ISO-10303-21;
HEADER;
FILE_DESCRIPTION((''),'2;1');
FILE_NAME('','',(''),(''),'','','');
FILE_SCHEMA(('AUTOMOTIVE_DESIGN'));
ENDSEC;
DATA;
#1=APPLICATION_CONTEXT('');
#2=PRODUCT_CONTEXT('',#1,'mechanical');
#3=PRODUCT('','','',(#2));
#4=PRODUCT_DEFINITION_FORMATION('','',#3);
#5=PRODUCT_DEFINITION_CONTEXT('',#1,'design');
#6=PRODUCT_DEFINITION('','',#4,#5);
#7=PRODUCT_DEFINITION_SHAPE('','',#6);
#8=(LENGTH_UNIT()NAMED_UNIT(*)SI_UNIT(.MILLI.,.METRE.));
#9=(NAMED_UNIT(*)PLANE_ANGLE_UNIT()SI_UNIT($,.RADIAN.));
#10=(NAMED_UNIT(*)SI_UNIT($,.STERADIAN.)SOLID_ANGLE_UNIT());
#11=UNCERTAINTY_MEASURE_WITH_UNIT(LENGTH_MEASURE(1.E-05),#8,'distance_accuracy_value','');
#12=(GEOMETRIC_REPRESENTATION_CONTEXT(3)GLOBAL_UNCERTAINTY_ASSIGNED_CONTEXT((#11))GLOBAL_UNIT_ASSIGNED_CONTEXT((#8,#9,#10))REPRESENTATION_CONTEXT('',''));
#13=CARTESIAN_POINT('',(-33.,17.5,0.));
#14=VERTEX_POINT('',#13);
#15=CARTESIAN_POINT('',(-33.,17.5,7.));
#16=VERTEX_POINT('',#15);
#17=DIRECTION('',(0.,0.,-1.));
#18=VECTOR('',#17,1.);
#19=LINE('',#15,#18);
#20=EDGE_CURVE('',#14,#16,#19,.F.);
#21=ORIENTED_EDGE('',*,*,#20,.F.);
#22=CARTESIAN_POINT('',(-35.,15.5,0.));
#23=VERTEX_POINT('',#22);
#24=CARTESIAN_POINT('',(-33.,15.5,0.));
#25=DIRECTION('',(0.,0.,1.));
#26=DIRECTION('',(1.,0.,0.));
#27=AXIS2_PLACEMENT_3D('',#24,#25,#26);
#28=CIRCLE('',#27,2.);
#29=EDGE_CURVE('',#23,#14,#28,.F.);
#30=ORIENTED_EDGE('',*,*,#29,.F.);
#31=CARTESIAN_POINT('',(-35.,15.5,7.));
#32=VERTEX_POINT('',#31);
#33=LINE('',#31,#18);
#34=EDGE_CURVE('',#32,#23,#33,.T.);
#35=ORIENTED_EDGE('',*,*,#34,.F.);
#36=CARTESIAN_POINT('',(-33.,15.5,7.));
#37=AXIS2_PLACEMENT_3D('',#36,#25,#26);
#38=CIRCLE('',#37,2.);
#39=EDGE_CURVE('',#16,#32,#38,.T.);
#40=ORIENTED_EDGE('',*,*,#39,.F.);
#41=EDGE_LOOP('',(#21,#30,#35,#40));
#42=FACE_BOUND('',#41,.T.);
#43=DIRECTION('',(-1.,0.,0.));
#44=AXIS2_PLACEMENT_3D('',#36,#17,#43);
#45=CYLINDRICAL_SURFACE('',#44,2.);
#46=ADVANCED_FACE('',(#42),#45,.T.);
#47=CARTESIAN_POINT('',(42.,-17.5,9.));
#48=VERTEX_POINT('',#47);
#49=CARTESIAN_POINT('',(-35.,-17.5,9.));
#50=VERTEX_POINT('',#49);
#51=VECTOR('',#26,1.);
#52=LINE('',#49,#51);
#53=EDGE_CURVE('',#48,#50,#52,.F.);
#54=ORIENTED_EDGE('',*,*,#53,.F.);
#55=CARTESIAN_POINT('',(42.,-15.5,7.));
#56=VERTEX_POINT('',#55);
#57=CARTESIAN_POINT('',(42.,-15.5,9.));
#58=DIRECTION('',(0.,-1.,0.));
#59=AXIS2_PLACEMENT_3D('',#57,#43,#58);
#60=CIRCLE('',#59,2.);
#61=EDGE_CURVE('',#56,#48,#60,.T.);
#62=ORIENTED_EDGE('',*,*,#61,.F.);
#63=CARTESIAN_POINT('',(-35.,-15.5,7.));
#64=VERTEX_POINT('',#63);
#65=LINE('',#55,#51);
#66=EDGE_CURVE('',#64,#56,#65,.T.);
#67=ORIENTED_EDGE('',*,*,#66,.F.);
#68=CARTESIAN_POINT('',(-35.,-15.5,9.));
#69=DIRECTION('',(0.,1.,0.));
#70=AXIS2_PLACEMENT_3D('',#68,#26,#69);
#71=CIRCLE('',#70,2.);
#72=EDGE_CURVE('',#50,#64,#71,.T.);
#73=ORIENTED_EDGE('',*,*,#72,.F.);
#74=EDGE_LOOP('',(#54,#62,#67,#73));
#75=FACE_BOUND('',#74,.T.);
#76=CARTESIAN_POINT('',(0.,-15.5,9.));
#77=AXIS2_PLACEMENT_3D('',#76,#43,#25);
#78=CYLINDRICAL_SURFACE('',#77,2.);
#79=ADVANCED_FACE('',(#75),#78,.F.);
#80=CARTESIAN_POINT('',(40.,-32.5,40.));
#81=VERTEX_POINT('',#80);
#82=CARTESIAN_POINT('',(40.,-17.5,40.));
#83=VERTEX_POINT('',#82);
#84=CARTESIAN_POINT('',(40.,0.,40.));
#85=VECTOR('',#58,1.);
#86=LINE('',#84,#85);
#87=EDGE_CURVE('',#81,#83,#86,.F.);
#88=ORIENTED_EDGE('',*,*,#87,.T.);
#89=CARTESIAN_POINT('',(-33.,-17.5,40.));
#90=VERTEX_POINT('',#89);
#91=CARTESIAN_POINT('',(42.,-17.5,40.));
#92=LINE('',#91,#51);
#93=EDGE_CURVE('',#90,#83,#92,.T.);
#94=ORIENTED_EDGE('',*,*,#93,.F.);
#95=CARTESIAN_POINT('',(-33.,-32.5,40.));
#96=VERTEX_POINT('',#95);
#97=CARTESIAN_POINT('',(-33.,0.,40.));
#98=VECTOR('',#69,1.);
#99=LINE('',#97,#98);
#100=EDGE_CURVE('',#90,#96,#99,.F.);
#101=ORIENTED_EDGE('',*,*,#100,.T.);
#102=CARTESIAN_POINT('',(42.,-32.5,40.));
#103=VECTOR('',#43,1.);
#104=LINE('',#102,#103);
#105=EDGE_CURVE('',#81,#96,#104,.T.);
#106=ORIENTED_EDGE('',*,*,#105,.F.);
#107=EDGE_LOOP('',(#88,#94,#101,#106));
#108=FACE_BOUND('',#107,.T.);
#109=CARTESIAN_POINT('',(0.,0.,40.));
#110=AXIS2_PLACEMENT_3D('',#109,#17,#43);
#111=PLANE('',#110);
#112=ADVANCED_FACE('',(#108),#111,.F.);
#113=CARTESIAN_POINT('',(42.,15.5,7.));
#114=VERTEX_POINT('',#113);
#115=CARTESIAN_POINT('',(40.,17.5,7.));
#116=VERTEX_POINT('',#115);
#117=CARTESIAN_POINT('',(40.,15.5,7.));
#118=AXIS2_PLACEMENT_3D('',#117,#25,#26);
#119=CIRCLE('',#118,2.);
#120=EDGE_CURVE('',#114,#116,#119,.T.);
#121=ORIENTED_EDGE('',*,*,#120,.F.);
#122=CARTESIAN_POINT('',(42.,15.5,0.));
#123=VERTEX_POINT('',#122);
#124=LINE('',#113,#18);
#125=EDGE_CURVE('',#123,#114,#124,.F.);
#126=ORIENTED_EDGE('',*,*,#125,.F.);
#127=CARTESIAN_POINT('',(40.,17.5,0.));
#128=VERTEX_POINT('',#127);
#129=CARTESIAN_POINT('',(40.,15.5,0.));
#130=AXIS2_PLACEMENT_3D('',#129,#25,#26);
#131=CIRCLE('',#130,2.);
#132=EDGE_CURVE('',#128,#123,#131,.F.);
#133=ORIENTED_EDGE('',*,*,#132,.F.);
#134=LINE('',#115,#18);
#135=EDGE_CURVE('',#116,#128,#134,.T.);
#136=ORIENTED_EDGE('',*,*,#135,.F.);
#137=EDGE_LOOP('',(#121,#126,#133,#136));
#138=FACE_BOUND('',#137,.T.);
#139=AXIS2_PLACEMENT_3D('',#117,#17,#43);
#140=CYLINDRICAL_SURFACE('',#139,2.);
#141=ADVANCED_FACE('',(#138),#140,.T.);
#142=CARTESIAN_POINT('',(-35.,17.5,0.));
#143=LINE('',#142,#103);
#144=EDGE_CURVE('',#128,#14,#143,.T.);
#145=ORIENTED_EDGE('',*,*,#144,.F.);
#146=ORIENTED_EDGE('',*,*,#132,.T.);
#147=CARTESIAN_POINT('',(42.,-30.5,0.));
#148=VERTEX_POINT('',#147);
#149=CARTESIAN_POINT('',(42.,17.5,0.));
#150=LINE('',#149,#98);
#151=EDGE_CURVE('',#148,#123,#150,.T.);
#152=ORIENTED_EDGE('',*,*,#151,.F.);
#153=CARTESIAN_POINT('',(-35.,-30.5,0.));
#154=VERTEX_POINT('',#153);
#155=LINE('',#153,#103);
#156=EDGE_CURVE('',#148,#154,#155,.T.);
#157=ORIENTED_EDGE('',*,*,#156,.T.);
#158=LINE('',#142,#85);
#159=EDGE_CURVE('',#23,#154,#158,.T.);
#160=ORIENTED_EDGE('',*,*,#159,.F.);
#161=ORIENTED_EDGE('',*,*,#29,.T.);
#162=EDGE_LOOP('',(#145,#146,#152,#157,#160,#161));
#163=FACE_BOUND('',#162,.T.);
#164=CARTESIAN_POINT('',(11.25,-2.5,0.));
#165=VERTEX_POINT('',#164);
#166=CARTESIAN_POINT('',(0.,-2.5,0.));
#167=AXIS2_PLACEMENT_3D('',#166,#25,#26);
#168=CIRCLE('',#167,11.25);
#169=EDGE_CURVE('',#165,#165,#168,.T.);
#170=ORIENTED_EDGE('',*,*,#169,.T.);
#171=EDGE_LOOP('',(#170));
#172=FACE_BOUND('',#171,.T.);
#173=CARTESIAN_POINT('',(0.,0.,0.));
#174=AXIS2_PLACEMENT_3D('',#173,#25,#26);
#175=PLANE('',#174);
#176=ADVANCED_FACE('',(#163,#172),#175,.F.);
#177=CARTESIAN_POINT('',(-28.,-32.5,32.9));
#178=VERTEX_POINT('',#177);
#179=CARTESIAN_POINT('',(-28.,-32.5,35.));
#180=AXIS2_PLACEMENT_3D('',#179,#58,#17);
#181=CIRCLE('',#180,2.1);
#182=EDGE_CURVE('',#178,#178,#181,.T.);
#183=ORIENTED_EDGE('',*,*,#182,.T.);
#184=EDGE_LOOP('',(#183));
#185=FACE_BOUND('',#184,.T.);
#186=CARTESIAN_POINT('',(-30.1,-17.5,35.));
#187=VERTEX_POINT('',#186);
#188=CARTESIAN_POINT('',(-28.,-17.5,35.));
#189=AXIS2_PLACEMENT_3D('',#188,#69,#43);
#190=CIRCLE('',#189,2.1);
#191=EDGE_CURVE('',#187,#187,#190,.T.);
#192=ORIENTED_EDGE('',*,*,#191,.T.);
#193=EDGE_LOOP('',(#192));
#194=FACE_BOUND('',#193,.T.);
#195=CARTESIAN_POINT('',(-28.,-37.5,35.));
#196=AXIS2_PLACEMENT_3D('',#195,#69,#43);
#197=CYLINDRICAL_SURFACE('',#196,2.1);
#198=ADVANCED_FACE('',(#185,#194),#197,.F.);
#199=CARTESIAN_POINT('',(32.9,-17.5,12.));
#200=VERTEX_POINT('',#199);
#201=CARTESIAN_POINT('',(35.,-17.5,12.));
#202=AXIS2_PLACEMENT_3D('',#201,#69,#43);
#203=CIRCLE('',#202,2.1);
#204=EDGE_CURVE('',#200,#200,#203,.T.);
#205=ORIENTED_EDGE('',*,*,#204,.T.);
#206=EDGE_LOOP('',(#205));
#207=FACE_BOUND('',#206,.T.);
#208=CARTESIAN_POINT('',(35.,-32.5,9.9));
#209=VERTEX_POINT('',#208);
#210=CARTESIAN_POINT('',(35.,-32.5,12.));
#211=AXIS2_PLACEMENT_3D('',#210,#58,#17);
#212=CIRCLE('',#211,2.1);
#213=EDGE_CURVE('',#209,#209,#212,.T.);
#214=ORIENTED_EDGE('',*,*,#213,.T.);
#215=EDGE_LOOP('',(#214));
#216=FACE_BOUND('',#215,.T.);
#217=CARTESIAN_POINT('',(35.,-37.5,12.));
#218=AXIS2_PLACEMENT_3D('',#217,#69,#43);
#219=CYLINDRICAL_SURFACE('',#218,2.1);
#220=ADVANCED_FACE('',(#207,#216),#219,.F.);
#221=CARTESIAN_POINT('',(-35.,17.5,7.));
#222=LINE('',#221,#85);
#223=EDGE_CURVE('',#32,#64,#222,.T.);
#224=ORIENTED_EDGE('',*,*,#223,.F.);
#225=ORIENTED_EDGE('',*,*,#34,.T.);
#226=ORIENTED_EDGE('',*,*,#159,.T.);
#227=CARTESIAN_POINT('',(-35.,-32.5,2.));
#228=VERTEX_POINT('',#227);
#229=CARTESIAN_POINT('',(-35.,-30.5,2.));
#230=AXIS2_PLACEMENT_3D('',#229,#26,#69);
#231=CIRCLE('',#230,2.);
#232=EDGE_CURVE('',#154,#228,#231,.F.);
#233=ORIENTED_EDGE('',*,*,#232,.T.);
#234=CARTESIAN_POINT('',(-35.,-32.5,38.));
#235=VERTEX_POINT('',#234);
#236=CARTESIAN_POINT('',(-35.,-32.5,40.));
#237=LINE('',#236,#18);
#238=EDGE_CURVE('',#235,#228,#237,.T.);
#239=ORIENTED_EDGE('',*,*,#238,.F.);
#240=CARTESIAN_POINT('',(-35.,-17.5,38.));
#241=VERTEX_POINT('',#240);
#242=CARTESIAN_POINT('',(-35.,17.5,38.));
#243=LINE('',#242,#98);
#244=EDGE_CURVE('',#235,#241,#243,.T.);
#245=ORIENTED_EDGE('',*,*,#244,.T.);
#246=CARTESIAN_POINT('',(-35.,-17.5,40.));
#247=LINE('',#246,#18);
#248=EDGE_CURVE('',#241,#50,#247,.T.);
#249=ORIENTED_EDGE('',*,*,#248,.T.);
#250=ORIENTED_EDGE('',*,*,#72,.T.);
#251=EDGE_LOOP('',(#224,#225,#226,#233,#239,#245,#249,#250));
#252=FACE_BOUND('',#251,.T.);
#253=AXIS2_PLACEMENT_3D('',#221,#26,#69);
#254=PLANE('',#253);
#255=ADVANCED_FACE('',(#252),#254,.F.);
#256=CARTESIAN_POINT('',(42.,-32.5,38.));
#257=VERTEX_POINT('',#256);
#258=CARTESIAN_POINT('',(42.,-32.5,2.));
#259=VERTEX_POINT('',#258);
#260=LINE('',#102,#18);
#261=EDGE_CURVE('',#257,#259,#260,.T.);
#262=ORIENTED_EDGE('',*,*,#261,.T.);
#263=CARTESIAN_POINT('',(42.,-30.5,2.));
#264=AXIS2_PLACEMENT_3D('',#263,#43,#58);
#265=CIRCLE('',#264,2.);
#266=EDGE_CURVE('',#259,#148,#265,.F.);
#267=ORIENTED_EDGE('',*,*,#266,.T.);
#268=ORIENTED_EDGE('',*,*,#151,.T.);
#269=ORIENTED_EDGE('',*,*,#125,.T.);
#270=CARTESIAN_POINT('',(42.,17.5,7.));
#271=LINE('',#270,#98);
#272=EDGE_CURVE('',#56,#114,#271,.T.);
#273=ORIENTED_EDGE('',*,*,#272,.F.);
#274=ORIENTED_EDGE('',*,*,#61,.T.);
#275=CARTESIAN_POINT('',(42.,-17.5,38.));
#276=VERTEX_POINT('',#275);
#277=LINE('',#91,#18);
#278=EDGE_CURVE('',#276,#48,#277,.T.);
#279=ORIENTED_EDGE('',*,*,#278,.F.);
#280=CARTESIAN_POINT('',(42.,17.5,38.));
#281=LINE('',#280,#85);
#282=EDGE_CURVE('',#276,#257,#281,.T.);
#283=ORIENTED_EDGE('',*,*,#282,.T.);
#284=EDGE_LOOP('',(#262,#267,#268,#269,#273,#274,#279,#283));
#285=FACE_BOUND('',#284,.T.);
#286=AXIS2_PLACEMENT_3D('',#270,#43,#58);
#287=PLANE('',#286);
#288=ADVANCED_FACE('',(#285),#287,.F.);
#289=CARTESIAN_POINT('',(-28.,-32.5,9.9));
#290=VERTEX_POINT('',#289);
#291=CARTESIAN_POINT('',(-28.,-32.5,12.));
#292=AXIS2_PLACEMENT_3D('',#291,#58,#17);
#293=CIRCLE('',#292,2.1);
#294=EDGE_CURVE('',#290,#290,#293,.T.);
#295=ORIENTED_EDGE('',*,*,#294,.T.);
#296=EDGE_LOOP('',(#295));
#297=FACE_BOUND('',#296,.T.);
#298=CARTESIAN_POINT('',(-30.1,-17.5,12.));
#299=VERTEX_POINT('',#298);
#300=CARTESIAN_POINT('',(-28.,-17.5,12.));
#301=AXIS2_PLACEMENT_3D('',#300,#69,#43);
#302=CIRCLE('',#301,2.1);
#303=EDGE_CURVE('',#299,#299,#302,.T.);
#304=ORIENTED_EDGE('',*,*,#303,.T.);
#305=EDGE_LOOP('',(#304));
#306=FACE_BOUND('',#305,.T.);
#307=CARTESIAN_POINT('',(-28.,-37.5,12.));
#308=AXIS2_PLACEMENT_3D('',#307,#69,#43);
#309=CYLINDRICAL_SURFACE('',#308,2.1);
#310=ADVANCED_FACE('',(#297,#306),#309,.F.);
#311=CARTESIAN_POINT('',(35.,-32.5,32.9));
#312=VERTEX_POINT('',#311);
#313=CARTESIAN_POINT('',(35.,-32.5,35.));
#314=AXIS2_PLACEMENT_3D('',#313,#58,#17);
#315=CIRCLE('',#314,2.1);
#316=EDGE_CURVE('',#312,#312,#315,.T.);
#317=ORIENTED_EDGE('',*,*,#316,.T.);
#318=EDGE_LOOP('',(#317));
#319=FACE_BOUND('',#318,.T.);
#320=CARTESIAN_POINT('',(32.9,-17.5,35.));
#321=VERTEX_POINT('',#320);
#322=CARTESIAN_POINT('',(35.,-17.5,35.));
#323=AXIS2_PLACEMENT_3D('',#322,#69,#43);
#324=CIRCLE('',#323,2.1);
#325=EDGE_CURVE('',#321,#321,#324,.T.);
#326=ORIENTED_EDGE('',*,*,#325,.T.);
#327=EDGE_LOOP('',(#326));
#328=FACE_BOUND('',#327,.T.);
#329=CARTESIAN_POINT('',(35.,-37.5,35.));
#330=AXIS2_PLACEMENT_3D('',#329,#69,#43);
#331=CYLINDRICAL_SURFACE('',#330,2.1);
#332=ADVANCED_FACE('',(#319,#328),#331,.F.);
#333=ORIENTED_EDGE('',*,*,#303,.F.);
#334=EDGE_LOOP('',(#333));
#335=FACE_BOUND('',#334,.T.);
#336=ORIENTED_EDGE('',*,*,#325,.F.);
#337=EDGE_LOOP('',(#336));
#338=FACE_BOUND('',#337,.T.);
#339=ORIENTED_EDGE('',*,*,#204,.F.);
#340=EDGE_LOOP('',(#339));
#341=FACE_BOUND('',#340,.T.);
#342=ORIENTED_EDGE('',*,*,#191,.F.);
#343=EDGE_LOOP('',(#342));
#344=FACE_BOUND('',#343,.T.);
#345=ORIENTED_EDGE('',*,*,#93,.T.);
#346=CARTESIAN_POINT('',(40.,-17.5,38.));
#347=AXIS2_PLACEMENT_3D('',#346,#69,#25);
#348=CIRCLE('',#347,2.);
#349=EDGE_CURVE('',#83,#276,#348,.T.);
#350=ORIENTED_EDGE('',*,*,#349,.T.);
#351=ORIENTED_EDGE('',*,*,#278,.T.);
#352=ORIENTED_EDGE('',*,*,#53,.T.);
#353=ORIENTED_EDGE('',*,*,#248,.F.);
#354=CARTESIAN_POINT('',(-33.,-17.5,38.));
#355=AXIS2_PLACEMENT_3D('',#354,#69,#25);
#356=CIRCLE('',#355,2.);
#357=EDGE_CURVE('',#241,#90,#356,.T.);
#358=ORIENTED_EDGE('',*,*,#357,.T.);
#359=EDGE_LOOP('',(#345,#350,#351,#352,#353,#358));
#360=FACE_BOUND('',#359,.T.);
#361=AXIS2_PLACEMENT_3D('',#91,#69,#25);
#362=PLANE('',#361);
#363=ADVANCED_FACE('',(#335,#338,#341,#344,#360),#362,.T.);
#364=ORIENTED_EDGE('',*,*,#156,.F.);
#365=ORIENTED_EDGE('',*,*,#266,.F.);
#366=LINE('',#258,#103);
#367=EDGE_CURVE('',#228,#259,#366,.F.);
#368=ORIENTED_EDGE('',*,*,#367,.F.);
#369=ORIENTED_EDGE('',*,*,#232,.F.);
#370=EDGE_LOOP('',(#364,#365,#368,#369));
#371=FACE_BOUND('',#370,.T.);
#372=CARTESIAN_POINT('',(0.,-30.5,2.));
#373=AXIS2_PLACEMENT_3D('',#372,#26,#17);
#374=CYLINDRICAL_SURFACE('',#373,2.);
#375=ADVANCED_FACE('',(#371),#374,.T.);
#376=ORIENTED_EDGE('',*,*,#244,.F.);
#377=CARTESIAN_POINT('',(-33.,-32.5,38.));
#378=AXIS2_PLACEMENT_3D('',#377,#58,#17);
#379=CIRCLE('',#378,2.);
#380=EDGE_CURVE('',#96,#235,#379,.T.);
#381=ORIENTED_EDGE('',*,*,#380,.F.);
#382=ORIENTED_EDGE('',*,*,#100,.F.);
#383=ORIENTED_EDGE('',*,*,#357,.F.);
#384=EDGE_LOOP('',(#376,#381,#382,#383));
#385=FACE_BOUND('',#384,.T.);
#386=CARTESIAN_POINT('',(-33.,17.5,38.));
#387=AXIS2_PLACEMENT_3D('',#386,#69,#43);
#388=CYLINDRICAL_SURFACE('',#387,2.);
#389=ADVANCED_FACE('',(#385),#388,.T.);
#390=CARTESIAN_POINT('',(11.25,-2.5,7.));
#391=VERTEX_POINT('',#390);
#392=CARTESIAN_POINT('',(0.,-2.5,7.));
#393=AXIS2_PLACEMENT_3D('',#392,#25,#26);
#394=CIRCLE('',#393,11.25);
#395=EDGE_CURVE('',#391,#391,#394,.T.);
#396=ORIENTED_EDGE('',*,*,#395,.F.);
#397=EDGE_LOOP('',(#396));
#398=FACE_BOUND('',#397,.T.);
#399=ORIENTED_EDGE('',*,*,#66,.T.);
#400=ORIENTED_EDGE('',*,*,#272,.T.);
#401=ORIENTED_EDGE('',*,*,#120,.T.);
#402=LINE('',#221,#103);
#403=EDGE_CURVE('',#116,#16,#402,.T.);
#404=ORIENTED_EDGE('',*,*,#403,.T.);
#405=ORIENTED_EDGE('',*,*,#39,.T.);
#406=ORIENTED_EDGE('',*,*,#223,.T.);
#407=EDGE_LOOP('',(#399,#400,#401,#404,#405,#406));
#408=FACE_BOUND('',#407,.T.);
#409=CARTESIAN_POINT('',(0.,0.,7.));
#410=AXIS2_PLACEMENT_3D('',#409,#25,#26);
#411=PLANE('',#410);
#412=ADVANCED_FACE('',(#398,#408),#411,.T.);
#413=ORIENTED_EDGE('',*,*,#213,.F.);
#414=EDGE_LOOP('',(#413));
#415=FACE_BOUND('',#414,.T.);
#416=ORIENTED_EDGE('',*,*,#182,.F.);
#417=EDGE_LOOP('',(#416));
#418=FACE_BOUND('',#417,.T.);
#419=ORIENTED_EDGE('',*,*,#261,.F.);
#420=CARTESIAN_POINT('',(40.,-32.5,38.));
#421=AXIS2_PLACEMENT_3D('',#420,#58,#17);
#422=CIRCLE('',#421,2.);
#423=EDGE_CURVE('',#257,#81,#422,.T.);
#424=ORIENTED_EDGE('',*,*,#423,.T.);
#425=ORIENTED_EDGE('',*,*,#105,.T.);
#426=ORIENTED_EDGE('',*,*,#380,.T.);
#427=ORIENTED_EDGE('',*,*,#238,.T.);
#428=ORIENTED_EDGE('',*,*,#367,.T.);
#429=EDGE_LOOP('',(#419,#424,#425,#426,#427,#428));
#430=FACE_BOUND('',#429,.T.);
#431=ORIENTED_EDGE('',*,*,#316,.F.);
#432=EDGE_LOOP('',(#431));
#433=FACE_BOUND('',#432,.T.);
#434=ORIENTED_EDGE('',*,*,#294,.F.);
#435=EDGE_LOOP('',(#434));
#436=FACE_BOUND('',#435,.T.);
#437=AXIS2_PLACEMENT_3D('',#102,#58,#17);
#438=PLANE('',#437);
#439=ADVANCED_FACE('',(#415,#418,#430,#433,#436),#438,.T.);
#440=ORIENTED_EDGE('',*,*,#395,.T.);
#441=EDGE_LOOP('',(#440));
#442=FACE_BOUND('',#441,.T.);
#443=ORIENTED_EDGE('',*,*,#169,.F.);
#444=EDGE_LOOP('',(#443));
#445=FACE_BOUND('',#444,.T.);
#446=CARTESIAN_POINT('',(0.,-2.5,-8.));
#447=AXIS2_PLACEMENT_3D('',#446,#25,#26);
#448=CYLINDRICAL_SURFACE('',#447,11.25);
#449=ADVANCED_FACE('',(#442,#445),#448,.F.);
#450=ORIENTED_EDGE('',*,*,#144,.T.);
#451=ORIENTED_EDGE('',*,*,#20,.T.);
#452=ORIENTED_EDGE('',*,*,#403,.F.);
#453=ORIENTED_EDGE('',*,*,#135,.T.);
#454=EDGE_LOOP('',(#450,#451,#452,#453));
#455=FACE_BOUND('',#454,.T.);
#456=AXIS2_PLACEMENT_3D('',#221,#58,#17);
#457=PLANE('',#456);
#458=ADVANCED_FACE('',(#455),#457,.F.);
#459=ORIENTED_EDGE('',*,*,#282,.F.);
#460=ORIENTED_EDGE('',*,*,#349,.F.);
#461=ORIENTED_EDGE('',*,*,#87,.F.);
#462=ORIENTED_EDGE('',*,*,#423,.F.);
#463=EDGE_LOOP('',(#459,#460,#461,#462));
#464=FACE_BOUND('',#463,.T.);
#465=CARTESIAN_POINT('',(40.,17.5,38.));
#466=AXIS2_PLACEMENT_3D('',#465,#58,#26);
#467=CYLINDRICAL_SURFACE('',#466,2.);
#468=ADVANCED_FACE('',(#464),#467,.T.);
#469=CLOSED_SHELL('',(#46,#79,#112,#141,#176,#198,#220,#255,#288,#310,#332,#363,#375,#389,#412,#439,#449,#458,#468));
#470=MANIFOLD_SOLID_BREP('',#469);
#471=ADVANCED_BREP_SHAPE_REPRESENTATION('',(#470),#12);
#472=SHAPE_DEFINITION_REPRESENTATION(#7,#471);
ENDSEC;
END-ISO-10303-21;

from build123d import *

# Parameters (mm, degrees)
SKETCH1_W           = 77
SKETCH1_H           = 35
BOSS_EXTRUDE1_DEPTH = 7
SKETCH2_R           = 11.25
CUT_EXTRUDE1_DEPTH  = 15
SKETCH3_W           = 77
SKETCH3_H           = 15
BOSS_EXTRUDE2_DEPTH = 40
SKETCH4_R           = 2.1
CUT_EXTRUDE2_DEPTH  = 20
FILLET1_R           = 2
FILLET2_R           = 2


with BuildPart() as part:
    # Sketch1 → Boss-Extrude1 (new body)
    with BuildSketch(Plane.XY):
        with Locations((3.5, 0)):
            Rectangle(SKETCH1_W, SKETCH1_H)
    extrude(amount=BOSS_EXTRUDE1_DEPTH)

    # Sketch2 → Cut-Extrude1 (cut)
    with BuildSketch(Plane.XY.offset(7)):
        with Locations((0, -2.5)):
            Circle(SKETCH2_R)
    extrude(amount=-CUT_EXTRUDE1_DEPTH, mode=Mode.SUBTRACT)

    # Sketch3 → Boss-Extrude2 (add)
    with BuildSketch(Plane(origin=(0, 0, 0), x_dir=(-1, 0, 0), z_dir=(0, 0, -1))):
        with Locations((-3.5, -25)):
            Rectangle(SKETCH3_W, SKETCH3_H)
    extrude(amount=-BOSS_EXTRUDE2_DEPTH)

    # Sketch4 → Cut-Extrude2 (cut)
    with BuildSketch(Plane(origin=(0, -17.5, 0), x_dir=(1, 0, 0), z_dir=(0, 1, 0))):
        with Locations((-28, -35)):
            Circle(SKETCH4_R)
        with Locations((-28, -12)):
            Circle(SKETCH4_R)
        with Locations((35, -35)):
            Circle(SKETCH4_R)
        with Locations((35, -12)):
            Circle(SKETCH4_R)
    extrude(amount=-CUT_EXTRUDE2_DEPTH, mode=Mode.SUBTRACT)

    # Fillet1
    fillet1_edges = [part.edges().sort_by_distance(p)[0] for p in [
        (3.5, -17.5, 7),
    ]]
    fillet(fillet1_edges, radius=FILLET1_R)

    # Fillet2
    fillet2_edges = [part.edges().sort_by_distance(p)[0] for p in [
        (42, -25, 40),
        (-35, -25, 40),
        (3.5, -32.5, 0),
        (-35, 17.5, 3.5),
        (42, 17.5, 3.5),
    ]]
    fillet(fillet2_edges, radius=FILLET2_R)


solid = part.part
